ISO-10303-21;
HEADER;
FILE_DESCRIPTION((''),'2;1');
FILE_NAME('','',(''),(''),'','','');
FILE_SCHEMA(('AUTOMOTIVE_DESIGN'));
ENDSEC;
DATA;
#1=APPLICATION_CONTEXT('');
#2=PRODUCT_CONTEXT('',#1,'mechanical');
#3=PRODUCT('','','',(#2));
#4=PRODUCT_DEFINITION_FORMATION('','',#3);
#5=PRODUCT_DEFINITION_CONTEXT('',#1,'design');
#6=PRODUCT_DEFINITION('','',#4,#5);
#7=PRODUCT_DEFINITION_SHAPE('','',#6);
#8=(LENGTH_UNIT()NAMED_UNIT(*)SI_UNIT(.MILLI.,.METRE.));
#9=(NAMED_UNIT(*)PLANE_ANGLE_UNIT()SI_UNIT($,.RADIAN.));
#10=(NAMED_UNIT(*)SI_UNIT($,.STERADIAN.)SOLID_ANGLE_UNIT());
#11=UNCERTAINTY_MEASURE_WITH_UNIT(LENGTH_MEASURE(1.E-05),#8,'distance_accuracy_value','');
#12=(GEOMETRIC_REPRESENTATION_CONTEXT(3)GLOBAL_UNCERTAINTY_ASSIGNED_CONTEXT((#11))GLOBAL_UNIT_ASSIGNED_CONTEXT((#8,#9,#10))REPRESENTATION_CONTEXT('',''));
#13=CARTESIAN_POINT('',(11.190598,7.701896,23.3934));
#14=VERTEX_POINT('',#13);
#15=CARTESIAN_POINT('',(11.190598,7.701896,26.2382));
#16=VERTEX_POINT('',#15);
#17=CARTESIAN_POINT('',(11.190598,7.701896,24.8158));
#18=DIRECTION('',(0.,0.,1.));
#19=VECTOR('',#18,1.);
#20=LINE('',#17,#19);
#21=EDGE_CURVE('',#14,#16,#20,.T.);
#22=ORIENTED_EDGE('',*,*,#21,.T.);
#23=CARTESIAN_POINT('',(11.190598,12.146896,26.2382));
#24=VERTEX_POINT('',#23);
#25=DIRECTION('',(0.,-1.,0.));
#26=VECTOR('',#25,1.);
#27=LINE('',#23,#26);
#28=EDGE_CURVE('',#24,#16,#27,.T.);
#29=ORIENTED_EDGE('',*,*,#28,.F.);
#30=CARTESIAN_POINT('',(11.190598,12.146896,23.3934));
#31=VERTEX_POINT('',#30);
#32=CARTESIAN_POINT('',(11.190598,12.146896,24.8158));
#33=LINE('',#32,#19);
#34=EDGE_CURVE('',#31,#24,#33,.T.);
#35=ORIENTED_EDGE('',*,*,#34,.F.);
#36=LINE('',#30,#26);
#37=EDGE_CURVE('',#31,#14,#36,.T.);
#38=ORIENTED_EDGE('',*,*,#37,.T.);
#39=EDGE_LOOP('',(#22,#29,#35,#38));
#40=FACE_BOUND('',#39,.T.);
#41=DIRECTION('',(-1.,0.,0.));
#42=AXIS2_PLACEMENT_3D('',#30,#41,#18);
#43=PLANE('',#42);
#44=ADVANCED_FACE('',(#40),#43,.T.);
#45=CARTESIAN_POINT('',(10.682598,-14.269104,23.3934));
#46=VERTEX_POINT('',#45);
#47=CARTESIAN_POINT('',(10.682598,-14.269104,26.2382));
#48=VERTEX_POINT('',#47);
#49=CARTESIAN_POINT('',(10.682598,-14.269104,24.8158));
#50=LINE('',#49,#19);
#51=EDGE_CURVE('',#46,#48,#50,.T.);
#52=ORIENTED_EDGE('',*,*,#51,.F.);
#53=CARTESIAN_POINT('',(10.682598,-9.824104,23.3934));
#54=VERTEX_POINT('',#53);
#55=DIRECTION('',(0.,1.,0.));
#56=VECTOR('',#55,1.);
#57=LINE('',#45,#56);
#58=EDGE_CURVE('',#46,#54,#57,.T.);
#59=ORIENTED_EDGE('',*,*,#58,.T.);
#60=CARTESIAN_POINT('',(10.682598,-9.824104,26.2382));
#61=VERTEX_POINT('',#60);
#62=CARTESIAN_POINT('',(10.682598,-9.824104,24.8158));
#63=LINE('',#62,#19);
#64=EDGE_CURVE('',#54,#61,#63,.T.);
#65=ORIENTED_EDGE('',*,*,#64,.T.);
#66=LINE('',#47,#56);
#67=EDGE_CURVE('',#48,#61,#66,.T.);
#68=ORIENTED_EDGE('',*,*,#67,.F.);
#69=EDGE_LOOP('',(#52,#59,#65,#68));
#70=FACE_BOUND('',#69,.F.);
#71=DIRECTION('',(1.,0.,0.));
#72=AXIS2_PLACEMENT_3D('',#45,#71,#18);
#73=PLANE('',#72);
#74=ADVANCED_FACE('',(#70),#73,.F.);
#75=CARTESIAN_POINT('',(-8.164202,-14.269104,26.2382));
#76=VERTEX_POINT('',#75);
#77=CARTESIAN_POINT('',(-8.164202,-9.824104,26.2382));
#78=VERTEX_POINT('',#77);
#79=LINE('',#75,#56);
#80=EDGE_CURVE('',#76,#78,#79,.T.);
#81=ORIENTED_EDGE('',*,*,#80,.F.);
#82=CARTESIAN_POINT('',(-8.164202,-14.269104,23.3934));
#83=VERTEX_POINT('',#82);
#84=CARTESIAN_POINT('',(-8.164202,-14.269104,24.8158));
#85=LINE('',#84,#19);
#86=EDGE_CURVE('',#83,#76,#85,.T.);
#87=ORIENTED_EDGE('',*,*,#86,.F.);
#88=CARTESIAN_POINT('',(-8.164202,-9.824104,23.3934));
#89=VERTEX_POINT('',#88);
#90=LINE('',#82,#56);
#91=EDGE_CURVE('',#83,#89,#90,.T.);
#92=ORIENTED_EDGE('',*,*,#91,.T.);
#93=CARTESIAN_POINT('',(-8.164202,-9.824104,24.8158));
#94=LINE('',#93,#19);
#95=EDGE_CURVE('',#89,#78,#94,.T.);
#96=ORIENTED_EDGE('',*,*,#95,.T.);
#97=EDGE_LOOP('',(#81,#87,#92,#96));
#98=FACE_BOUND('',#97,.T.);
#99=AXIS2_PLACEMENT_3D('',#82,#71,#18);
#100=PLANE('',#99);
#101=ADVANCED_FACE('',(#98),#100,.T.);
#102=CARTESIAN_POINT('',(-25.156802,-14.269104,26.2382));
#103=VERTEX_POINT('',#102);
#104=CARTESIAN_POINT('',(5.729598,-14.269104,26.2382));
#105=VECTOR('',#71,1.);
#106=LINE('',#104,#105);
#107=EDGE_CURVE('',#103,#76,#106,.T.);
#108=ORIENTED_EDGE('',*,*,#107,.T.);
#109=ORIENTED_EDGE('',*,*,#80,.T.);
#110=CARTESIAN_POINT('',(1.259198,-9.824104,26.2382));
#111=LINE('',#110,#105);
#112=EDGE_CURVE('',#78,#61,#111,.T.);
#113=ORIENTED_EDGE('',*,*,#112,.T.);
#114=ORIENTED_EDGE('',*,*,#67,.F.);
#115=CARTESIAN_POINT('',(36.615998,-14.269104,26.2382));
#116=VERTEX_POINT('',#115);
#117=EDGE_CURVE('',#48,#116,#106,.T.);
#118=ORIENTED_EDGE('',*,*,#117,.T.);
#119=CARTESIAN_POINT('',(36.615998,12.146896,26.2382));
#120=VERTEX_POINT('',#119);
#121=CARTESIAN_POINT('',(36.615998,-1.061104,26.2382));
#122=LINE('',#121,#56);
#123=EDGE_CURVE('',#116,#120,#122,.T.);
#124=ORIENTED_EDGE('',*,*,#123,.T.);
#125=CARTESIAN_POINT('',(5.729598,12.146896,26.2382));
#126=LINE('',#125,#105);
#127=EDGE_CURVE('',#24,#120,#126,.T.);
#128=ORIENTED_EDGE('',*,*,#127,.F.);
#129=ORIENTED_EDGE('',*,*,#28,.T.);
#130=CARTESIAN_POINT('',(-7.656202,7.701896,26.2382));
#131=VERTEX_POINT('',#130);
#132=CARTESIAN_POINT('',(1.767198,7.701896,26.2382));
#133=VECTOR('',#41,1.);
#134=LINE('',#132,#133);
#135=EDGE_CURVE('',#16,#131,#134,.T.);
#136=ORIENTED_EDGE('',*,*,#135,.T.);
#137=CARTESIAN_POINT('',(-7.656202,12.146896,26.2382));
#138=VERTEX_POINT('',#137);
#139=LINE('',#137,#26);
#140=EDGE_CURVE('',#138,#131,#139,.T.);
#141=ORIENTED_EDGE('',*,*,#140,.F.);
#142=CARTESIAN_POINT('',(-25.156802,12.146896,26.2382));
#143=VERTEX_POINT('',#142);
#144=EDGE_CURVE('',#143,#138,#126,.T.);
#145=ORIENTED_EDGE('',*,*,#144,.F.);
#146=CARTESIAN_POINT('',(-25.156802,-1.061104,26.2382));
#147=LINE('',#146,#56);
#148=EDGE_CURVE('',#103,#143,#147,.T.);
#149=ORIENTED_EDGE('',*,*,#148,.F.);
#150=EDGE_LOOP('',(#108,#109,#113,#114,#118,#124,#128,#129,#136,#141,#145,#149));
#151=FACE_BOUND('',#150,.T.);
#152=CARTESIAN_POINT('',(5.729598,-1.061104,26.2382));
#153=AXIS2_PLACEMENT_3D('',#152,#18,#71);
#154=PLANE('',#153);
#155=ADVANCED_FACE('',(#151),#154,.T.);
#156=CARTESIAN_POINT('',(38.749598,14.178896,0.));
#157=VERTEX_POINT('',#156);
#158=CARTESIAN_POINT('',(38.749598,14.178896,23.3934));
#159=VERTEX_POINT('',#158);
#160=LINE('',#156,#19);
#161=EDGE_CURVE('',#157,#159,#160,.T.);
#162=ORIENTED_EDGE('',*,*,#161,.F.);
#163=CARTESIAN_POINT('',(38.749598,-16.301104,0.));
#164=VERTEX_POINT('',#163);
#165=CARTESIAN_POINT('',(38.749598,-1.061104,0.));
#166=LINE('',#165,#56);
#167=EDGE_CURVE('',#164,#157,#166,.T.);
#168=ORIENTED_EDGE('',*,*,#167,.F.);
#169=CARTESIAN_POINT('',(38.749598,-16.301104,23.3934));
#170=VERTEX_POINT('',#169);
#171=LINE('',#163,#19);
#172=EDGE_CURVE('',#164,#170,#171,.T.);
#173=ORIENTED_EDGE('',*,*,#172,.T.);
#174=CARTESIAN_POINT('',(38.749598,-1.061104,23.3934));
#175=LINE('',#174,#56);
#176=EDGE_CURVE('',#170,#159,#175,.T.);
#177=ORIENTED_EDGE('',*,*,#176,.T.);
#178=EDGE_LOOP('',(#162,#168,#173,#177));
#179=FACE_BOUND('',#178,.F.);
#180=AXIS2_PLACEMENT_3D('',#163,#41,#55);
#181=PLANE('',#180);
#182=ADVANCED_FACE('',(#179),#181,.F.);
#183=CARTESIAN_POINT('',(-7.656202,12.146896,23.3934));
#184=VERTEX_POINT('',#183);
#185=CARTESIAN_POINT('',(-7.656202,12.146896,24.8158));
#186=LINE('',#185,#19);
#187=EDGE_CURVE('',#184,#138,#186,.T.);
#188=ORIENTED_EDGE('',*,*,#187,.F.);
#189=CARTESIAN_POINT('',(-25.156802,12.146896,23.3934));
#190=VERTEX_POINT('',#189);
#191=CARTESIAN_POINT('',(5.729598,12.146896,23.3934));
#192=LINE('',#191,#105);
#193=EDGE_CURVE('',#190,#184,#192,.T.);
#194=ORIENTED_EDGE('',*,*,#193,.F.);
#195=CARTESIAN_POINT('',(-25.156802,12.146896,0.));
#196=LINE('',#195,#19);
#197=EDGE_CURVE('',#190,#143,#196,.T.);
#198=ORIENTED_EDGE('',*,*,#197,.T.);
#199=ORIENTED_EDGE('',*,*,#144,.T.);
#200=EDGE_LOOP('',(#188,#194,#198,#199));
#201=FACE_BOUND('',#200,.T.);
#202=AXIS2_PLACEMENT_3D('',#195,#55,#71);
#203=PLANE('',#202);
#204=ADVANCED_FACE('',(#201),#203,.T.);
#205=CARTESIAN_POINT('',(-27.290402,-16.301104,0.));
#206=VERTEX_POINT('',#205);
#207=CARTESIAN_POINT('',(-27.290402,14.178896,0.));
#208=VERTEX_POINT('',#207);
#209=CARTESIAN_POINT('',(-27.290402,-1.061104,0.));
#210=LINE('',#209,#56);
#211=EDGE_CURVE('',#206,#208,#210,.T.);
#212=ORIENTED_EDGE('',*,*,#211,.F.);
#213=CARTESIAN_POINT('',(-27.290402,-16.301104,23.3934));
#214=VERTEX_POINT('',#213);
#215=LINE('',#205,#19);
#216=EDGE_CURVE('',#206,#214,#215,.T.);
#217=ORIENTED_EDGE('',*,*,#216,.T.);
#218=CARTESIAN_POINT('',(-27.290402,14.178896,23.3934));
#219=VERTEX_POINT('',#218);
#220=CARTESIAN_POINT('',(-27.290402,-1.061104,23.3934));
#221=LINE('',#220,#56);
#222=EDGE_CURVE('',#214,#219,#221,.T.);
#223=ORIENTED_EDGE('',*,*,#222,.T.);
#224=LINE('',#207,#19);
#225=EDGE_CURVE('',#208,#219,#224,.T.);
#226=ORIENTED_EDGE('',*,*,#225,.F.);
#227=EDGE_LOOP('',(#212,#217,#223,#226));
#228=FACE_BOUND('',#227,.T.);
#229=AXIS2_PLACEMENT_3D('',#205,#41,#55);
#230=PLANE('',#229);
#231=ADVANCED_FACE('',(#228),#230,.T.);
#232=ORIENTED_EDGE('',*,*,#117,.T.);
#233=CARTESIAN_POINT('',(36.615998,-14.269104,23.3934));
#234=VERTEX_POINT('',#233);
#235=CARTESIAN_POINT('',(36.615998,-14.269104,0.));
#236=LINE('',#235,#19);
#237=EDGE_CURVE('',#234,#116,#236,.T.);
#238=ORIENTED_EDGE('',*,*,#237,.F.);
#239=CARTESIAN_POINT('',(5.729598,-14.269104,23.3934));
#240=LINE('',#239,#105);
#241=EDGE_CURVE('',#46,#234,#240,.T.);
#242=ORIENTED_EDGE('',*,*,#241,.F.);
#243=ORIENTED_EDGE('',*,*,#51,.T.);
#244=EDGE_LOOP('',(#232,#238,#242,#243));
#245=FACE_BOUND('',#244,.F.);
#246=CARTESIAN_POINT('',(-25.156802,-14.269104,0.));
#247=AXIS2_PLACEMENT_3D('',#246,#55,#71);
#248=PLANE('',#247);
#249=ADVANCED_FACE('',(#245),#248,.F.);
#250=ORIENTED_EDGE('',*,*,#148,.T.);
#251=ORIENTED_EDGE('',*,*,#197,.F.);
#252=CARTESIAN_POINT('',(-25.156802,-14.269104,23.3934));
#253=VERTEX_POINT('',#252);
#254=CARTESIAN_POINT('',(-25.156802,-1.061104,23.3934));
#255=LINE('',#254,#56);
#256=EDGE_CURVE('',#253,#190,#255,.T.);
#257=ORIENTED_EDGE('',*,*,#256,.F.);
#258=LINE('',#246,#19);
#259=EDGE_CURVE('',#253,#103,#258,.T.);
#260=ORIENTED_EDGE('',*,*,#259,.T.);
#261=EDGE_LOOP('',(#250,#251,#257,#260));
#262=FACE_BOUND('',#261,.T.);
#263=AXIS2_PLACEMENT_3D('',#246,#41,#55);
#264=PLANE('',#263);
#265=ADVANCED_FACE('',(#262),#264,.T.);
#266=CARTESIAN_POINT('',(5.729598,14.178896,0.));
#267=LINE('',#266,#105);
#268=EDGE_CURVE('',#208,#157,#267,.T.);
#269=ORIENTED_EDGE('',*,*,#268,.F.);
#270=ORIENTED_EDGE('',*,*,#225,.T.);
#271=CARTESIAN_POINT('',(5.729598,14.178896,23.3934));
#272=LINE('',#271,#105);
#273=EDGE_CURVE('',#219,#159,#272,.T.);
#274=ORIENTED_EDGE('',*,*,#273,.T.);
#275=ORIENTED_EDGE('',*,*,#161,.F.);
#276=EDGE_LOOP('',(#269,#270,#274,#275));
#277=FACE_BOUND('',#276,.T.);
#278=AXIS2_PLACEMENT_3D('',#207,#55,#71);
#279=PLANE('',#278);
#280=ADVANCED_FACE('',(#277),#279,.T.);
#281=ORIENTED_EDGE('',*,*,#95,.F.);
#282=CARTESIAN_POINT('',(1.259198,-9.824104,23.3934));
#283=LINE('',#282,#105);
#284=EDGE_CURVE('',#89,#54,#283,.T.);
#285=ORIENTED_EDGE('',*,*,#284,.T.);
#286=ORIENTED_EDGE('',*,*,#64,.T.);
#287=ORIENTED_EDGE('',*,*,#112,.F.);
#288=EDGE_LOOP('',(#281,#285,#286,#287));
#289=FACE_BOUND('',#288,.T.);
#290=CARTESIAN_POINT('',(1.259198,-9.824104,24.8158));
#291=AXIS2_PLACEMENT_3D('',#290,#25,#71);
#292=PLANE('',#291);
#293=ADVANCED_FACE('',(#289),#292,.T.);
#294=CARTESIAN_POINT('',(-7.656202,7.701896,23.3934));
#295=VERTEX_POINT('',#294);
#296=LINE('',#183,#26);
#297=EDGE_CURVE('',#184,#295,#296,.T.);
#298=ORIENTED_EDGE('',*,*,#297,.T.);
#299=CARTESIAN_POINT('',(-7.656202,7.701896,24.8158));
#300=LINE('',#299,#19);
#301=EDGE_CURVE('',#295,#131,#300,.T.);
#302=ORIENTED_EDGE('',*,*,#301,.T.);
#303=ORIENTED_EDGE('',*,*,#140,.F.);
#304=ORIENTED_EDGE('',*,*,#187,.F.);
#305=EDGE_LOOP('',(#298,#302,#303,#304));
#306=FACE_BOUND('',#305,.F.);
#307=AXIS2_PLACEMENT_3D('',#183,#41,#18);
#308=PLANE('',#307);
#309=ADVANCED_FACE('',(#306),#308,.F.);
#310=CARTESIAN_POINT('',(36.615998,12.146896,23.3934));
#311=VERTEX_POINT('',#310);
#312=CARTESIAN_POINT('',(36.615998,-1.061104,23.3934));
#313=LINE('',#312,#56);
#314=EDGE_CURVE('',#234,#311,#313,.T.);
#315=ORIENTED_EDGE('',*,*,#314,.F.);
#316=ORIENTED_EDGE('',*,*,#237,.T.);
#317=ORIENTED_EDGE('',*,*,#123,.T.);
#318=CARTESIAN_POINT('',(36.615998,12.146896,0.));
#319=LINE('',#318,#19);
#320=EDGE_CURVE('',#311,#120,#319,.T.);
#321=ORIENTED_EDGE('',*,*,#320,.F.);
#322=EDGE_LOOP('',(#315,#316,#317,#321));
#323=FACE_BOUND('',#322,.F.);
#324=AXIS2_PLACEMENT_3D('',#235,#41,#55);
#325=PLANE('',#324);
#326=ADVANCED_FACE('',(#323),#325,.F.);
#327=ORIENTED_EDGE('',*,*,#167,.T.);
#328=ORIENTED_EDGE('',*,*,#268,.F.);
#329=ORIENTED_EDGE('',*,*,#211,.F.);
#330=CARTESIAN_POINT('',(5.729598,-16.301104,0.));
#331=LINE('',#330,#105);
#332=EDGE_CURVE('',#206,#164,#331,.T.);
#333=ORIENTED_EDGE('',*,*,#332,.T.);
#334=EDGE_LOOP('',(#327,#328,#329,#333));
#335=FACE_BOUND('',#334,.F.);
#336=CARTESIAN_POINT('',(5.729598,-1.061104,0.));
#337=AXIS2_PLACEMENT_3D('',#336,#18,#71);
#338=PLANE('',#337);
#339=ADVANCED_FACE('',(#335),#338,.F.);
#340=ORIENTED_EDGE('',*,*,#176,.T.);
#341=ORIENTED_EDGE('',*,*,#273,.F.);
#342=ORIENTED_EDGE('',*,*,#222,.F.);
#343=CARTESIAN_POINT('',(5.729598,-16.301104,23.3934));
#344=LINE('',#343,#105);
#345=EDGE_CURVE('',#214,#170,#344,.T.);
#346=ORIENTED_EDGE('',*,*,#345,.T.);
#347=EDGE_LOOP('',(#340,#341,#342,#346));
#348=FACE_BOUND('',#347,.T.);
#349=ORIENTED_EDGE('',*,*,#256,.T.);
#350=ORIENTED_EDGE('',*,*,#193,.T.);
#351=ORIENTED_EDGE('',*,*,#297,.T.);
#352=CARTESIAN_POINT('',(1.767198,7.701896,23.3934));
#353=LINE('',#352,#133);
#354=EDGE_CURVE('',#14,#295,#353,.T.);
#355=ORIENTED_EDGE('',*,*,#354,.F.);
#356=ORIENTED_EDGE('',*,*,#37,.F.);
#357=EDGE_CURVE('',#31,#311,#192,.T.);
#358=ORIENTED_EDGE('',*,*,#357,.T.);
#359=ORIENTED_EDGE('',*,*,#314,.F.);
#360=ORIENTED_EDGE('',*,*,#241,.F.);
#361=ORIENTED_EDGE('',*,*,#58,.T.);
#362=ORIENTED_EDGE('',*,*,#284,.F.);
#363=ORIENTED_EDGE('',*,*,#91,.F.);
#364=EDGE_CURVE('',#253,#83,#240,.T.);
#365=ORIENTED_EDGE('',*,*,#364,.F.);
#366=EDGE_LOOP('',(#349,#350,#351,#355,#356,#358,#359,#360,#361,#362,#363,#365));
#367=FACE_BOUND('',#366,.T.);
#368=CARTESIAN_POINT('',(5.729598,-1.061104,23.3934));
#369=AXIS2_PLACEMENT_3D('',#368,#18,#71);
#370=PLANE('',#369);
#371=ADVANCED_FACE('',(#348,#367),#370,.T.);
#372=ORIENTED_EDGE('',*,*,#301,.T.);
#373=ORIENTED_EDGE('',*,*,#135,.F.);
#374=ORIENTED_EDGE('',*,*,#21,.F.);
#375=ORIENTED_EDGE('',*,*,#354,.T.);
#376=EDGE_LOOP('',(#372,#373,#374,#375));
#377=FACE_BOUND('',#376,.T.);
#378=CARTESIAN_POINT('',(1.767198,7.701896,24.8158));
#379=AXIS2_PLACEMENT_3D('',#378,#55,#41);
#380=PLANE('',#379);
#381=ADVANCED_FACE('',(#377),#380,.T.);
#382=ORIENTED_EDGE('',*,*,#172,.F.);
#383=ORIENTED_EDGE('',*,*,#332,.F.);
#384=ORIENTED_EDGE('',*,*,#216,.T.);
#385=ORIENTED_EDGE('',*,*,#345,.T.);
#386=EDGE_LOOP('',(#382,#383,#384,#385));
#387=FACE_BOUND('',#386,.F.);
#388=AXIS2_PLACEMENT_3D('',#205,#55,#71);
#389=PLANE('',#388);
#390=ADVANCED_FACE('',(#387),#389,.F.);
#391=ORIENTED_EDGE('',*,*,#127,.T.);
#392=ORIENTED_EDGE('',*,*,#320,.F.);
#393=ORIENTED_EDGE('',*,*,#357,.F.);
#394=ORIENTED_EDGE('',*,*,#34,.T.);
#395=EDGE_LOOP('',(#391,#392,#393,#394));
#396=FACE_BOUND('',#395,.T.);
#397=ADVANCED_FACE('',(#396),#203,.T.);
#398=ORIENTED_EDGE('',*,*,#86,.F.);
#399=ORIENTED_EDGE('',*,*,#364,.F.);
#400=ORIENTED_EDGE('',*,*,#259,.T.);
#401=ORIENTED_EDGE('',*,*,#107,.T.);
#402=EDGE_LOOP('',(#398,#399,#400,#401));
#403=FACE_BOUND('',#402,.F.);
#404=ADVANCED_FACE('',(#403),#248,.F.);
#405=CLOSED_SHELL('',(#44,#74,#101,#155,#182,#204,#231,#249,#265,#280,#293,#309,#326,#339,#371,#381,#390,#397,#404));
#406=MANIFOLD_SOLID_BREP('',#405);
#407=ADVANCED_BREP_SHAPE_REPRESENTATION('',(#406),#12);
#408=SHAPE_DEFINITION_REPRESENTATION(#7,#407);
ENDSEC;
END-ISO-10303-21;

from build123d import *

# Parameters (mm, degrees)
F0_W     = 66.04
F0_H     = 30.48
F0_W_2   = 61.7728
F0_H_2   = 26.416
F1_DEPTH = 23.3934
F2_DEPTH = 26.2382
F3_W     = 18.8468
F3_H     = 2.8448
F4_DEPTH = 4.445
F5_W     = 18.8468
F5_H     = 2.8448
F6_DEPTH = 4.445


with BuildPart() as f1:
    # F0 (on Top) → F1 (new body)
    with BuildSketch(Plane.XY):
        with Locations((5.729598, -1.061104)):
            Rectangle(F0_W, F0_H)
        with Locations((5.729598, -1.061104)):
            Rectangle(F0_W_2, F0_H_2, mode=Mode.SUBTRACT)
    extrude(amount=F1_DEPTH)

    # F0 (on Top) → F2 (join)
    with BuildSketch(Plane.XY):
        with Locations((5.729598, -1.061104)):
            Rectangle(F0_W_2, F0_H_2)
    extrude(amount=F2_DEPTH)

    # F3 (on face) → F4 (cut)
    with BuildSketch(Plane.XZ.offset(14.269104)):
        with Locations((1.259198, 24.8158)):
            Rectangle(F3_W, F3_H)
    extrude(amount=-F4_DEPTH, mode=Mode.SUBTRACT)

    # F5 (on face) → F6 (cut)
    with BuildSketch(Plane(origin=(0, 12.146896, 0), x_dir=(-1, 0, 0), z_dir=(0, 1, 0))):
        with Locations((-1.767198, 24.8158)):
            Rectangle(F5_W, F5_H)
    extrude(amount=-F6_DEPTH, mode=Mode.SUBTRACT)


solid = f1.part
